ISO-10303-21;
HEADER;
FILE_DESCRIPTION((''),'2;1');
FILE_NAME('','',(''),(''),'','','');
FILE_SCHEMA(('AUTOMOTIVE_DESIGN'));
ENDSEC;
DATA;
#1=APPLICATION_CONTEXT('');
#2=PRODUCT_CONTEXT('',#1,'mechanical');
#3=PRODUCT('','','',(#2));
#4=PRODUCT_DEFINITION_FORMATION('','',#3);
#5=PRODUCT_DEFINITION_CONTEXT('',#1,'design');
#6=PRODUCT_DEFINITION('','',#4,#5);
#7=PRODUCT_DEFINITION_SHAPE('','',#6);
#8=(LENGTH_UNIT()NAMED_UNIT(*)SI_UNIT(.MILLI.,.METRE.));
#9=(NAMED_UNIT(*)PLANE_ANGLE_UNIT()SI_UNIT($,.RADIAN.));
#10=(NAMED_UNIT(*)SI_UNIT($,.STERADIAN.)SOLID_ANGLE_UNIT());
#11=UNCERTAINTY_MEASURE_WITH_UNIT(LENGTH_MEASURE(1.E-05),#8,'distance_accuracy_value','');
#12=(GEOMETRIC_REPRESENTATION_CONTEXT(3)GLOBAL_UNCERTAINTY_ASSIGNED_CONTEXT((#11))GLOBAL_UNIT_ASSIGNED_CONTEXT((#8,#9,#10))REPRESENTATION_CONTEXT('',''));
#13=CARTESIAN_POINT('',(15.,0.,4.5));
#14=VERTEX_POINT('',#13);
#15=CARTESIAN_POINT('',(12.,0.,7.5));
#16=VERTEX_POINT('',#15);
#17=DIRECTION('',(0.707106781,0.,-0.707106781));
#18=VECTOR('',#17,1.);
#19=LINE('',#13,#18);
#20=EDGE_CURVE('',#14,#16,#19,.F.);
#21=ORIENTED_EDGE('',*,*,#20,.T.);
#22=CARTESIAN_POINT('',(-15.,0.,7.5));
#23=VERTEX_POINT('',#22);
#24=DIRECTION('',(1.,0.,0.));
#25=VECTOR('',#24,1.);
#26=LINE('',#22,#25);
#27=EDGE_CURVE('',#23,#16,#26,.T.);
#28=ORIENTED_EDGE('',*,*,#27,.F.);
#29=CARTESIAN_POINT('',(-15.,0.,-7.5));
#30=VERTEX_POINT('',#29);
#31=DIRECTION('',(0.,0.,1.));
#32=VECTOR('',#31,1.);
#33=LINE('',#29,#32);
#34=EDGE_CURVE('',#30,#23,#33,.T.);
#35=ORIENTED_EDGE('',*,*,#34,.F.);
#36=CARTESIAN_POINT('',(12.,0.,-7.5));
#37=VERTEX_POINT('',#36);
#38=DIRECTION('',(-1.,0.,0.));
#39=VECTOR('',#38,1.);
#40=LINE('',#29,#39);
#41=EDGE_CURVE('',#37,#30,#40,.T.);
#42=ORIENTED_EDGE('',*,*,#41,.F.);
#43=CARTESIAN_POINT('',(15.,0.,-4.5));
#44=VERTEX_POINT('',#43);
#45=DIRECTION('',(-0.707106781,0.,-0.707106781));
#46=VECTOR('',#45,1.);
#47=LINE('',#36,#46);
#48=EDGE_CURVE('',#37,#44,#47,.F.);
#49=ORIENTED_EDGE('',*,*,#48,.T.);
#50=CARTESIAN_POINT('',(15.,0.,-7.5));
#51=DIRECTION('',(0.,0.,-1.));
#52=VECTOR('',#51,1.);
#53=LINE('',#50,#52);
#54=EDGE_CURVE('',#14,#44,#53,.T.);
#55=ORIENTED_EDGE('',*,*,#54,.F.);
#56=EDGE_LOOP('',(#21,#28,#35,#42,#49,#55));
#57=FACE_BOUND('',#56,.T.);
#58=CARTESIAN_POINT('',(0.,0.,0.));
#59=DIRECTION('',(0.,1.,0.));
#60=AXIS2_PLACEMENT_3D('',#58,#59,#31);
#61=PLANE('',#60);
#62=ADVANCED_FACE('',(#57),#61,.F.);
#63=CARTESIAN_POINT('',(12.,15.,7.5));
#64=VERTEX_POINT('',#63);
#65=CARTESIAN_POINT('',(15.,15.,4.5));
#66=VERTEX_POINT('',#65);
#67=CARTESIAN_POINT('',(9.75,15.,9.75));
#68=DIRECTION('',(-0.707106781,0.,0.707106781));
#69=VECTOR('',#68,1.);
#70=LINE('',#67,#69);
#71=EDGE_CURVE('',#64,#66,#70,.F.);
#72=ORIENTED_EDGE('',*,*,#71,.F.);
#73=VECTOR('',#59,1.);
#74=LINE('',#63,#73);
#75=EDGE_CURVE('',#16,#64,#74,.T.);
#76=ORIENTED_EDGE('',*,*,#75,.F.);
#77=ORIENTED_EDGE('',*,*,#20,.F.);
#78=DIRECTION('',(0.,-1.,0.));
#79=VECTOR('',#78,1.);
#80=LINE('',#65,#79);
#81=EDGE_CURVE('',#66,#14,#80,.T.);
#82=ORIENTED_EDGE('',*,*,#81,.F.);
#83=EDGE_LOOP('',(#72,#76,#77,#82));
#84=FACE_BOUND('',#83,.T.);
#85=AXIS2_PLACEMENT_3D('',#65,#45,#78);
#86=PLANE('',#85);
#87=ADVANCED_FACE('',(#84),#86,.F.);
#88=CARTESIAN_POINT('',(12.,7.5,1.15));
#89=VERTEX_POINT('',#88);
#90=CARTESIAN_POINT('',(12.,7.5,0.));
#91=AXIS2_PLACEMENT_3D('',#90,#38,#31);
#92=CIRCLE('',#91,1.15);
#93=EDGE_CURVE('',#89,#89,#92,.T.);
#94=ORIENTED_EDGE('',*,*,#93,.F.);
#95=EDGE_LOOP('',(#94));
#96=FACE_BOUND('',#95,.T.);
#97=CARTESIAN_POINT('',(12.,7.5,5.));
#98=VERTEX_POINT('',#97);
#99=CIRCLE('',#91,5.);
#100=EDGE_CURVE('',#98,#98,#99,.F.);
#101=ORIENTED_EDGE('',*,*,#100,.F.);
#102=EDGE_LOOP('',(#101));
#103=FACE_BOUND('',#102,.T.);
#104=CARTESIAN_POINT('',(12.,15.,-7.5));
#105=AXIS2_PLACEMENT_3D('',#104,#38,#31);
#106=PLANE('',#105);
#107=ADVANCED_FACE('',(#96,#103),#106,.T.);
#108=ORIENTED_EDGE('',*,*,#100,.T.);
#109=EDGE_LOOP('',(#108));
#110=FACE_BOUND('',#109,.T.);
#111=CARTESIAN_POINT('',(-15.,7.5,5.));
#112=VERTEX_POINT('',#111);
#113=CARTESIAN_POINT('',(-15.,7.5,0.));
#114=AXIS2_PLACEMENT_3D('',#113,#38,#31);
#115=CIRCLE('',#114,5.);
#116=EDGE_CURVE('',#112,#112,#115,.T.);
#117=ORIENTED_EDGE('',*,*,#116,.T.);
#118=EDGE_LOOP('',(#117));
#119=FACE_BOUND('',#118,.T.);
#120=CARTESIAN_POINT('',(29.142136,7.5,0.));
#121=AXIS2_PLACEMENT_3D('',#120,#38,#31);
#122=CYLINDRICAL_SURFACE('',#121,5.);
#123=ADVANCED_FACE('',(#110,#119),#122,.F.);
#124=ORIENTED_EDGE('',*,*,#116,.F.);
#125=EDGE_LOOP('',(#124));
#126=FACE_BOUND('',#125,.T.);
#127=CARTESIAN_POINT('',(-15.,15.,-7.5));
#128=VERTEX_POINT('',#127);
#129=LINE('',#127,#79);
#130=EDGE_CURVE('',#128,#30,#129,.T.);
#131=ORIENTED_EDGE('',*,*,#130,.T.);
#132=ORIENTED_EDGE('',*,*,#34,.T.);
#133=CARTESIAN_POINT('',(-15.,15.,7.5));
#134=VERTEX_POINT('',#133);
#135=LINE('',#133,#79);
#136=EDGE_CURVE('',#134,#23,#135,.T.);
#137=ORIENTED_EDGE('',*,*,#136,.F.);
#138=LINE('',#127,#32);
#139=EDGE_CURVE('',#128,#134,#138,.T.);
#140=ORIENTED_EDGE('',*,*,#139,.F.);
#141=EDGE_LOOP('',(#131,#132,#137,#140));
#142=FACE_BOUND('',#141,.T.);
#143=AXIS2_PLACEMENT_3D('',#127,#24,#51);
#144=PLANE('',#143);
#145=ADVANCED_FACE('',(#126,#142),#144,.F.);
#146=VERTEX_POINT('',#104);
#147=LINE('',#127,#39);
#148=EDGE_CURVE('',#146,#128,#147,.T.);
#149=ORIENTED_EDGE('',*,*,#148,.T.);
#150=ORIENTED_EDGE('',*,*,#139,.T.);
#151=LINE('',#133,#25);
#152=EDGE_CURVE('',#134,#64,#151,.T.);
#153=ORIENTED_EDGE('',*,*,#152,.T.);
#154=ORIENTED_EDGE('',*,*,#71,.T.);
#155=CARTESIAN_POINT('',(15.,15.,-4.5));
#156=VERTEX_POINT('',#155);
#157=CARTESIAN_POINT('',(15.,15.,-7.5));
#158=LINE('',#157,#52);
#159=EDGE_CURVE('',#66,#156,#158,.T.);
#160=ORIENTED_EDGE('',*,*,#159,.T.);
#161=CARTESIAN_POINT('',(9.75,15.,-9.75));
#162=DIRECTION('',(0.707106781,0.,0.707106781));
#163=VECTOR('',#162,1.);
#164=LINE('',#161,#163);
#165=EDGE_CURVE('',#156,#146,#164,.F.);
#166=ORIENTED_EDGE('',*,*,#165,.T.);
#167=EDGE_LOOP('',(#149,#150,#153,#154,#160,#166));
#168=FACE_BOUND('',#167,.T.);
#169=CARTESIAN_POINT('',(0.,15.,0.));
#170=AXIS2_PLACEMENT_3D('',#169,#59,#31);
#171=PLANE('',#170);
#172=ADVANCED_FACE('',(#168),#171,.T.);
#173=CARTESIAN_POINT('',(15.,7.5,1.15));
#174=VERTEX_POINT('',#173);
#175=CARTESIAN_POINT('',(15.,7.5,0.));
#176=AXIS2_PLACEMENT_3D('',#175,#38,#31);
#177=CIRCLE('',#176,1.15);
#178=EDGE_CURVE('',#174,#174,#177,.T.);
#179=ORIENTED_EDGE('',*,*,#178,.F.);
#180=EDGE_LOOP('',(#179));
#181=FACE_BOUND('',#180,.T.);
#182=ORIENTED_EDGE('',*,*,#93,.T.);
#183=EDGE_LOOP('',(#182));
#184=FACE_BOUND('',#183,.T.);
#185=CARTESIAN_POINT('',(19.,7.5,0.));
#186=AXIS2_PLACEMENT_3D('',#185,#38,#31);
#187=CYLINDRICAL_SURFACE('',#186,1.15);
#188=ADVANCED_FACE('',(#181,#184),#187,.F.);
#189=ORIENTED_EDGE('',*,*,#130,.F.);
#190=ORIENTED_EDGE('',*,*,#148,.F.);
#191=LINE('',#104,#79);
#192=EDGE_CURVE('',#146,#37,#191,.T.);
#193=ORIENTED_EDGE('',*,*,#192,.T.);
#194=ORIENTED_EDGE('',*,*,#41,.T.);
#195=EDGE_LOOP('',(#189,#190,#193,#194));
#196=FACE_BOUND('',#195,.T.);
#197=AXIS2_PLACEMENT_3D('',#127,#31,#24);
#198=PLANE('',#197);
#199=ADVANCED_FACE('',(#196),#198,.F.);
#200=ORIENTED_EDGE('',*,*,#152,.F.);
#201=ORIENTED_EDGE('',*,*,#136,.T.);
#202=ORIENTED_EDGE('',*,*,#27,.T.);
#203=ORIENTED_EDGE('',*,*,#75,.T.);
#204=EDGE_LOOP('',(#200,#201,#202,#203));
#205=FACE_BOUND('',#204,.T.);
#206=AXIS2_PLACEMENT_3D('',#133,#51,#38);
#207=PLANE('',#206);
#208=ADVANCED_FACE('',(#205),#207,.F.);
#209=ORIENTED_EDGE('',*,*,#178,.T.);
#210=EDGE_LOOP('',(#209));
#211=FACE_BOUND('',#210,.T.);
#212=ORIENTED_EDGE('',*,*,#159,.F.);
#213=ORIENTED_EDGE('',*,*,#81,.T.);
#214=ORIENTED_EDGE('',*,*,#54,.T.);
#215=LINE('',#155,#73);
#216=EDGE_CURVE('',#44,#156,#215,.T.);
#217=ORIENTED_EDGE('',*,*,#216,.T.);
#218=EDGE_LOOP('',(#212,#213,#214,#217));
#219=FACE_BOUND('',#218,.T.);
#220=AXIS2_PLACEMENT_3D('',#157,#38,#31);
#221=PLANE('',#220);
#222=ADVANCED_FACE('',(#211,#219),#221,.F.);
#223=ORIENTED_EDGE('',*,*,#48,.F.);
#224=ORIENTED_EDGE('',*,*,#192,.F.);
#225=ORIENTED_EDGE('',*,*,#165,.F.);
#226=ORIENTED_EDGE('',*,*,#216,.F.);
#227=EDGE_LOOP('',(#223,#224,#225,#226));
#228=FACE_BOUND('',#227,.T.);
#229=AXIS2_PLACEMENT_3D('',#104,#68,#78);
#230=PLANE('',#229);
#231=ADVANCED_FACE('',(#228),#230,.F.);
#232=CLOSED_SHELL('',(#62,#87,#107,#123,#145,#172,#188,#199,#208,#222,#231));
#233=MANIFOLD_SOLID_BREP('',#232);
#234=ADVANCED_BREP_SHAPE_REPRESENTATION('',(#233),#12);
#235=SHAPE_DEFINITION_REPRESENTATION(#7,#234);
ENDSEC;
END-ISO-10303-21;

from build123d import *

# Parameters (mm, degrees)
SKETCH1_W           = 30
SKETCH1_H           = 15
BOSS_EXTRUDE1_DEPTH = 15
CHAMFER1_SIZE       = 3
SKETCH2_R           = 5
CUT_EXTRUDE1_DEPTH  = 27
SKETCH3_R           = 1.15
CUT_EXTRUDE2_DEPTH  = 7


with BuildPart() as part:
    # Sketch1 → Boss-Extrude1 (new body)
    with BuildSketch(Plane(origin=(0, 0, 0), x_dir=(1, 0, 0), z_dir=(0, 1, 0))):
        Rectangle(SKETCH1_W, SKETCH1_H)
    extrude(amount=BOSS_EXTRUDE1_DEPTH)

    # Chamfer1
    chamfer1_edges = [part.edges().sort_by_distance(p)[0] for p in [
        (15, 7.5, 7.5),
        (15, 7.5, -7.5),
    ]]
    chamfer(chamfer1_edges, length=CHAMFER1_SIZE)

    # Sketch2 → Cut-Extrude1 (cut)
    with BuildSketch(Plane.ZY.offset(15)):
        with Locations((0, 7.5)):
            Circle(SKETCH2_R)
    extrude(amount=-CUT_EXTRUDE1_DEPTH, mode=Mode.SUBTRACT)

    # Sketch3 → Cut-Extrude2 (cut)
    with BuildSketch(Plane.ZY.offset(-12)):
        with Locations((0, 7.5)):
            Circle(SKETCH3_R)
    extrude(amount=-CUT_EXTRUDE2_DEPTH, mode=Mode.SUBTRACT)


solid = part.part
